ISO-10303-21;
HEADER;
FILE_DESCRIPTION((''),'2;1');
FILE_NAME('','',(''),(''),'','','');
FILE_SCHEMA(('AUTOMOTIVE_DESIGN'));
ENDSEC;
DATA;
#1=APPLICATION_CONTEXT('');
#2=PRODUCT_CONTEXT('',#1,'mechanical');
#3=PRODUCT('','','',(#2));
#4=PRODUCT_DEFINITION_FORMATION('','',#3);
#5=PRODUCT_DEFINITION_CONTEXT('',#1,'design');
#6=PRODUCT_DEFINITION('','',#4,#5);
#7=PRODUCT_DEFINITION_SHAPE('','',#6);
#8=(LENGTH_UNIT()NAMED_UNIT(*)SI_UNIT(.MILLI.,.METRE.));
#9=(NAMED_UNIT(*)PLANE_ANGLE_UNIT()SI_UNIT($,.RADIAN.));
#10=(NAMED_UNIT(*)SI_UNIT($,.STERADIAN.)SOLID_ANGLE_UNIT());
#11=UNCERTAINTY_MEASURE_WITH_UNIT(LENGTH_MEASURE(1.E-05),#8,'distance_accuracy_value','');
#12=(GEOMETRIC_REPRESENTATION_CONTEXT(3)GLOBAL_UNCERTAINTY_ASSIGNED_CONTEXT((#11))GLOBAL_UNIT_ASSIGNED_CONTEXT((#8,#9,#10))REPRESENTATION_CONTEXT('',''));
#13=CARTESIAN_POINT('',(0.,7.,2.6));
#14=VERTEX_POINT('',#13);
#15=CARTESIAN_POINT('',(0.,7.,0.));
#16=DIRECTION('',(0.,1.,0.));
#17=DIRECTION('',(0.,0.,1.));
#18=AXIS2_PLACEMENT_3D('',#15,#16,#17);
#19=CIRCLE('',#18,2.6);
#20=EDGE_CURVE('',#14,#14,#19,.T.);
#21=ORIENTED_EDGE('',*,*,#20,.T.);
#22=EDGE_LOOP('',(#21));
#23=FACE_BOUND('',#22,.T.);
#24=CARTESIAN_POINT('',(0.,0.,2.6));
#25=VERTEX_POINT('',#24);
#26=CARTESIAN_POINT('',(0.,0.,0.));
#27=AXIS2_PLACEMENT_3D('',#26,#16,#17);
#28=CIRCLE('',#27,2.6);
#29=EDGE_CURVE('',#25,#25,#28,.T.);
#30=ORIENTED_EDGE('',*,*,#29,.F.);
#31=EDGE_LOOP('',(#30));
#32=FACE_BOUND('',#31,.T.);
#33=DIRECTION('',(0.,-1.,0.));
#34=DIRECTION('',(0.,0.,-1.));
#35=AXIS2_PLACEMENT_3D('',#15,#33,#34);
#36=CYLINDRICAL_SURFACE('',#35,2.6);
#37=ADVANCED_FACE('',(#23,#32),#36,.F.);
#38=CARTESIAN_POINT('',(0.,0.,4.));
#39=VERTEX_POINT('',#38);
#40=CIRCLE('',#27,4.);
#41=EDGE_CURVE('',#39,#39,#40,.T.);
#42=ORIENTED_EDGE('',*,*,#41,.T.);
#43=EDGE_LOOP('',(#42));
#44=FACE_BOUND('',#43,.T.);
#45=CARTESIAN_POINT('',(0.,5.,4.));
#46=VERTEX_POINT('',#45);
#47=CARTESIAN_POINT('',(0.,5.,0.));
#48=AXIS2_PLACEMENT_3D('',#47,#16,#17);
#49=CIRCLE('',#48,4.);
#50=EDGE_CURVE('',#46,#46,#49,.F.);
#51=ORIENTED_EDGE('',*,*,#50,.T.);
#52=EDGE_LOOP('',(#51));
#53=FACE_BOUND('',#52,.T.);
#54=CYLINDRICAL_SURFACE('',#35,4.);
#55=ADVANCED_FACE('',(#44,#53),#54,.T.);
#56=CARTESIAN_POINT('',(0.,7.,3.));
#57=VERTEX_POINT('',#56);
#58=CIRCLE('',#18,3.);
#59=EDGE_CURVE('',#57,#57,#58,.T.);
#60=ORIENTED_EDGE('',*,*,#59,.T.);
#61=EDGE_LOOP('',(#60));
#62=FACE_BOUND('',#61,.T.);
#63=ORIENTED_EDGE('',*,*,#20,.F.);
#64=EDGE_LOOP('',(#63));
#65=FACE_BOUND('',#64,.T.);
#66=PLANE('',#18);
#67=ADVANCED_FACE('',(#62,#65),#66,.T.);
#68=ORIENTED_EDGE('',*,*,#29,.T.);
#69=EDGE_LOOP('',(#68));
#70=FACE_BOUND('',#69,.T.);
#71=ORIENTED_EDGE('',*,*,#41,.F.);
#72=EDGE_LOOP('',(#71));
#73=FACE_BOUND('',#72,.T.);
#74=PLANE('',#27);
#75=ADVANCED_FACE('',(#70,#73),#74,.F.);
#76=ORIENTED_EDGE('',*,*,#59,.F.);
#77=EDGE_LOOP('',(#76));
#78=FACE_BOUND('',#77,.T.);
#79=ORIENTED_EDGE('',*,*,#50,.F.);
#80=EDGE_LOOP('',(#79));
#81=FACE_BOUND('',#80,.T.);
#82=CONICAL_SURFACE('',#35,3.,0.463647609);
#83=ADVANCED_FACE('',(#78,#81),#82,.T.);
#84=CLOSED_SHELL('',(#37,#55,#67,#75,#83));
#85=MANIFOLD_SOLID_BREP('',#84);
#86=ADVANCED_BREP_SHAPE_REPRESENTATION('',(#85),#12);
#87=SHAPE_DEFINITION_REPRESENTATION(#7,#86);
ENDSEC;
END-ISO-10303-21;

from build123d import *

# Parameters (mm, degrees)
SKETCH1_R      = 4
SKETCH1_R_2    = 2.6
EXTRUDE1_DEPTH = 7
CHAMFER1_SIZE  = 2
CHAMFER1_SIZE2 = 1


with BuildPart() as part:
    # Sketch1 → Extrude1 (new body)
    with BuildSketch(Plane(origin=(0, 0, 0), x_dir=(1, 0, 0), z_dir=(0, 1, 0))):
        Circle(SKETCH1_R)
        Circle(SKETCH1_R_2, mode=Mode.SUBTRACT)
    extrude(amount=EXTRUDE1_DEPTH)

    # Chamfer1
    chamfer1_edges = [part.edges().sort_by_distance(p)[0] for p in [
        (-4, 7, 0),
    ]]
    chamfer1_side = [part.faces().sort_by_distance(p)[0] for p in [
        (-4, 3.5, 0),
    ]]
    chamfer(chamfer1_edges, length=CHAMFER1_SIZE, length2=CHAMFER1_SIZE2, reference=chamfer1_side[0])


solid = part.part
